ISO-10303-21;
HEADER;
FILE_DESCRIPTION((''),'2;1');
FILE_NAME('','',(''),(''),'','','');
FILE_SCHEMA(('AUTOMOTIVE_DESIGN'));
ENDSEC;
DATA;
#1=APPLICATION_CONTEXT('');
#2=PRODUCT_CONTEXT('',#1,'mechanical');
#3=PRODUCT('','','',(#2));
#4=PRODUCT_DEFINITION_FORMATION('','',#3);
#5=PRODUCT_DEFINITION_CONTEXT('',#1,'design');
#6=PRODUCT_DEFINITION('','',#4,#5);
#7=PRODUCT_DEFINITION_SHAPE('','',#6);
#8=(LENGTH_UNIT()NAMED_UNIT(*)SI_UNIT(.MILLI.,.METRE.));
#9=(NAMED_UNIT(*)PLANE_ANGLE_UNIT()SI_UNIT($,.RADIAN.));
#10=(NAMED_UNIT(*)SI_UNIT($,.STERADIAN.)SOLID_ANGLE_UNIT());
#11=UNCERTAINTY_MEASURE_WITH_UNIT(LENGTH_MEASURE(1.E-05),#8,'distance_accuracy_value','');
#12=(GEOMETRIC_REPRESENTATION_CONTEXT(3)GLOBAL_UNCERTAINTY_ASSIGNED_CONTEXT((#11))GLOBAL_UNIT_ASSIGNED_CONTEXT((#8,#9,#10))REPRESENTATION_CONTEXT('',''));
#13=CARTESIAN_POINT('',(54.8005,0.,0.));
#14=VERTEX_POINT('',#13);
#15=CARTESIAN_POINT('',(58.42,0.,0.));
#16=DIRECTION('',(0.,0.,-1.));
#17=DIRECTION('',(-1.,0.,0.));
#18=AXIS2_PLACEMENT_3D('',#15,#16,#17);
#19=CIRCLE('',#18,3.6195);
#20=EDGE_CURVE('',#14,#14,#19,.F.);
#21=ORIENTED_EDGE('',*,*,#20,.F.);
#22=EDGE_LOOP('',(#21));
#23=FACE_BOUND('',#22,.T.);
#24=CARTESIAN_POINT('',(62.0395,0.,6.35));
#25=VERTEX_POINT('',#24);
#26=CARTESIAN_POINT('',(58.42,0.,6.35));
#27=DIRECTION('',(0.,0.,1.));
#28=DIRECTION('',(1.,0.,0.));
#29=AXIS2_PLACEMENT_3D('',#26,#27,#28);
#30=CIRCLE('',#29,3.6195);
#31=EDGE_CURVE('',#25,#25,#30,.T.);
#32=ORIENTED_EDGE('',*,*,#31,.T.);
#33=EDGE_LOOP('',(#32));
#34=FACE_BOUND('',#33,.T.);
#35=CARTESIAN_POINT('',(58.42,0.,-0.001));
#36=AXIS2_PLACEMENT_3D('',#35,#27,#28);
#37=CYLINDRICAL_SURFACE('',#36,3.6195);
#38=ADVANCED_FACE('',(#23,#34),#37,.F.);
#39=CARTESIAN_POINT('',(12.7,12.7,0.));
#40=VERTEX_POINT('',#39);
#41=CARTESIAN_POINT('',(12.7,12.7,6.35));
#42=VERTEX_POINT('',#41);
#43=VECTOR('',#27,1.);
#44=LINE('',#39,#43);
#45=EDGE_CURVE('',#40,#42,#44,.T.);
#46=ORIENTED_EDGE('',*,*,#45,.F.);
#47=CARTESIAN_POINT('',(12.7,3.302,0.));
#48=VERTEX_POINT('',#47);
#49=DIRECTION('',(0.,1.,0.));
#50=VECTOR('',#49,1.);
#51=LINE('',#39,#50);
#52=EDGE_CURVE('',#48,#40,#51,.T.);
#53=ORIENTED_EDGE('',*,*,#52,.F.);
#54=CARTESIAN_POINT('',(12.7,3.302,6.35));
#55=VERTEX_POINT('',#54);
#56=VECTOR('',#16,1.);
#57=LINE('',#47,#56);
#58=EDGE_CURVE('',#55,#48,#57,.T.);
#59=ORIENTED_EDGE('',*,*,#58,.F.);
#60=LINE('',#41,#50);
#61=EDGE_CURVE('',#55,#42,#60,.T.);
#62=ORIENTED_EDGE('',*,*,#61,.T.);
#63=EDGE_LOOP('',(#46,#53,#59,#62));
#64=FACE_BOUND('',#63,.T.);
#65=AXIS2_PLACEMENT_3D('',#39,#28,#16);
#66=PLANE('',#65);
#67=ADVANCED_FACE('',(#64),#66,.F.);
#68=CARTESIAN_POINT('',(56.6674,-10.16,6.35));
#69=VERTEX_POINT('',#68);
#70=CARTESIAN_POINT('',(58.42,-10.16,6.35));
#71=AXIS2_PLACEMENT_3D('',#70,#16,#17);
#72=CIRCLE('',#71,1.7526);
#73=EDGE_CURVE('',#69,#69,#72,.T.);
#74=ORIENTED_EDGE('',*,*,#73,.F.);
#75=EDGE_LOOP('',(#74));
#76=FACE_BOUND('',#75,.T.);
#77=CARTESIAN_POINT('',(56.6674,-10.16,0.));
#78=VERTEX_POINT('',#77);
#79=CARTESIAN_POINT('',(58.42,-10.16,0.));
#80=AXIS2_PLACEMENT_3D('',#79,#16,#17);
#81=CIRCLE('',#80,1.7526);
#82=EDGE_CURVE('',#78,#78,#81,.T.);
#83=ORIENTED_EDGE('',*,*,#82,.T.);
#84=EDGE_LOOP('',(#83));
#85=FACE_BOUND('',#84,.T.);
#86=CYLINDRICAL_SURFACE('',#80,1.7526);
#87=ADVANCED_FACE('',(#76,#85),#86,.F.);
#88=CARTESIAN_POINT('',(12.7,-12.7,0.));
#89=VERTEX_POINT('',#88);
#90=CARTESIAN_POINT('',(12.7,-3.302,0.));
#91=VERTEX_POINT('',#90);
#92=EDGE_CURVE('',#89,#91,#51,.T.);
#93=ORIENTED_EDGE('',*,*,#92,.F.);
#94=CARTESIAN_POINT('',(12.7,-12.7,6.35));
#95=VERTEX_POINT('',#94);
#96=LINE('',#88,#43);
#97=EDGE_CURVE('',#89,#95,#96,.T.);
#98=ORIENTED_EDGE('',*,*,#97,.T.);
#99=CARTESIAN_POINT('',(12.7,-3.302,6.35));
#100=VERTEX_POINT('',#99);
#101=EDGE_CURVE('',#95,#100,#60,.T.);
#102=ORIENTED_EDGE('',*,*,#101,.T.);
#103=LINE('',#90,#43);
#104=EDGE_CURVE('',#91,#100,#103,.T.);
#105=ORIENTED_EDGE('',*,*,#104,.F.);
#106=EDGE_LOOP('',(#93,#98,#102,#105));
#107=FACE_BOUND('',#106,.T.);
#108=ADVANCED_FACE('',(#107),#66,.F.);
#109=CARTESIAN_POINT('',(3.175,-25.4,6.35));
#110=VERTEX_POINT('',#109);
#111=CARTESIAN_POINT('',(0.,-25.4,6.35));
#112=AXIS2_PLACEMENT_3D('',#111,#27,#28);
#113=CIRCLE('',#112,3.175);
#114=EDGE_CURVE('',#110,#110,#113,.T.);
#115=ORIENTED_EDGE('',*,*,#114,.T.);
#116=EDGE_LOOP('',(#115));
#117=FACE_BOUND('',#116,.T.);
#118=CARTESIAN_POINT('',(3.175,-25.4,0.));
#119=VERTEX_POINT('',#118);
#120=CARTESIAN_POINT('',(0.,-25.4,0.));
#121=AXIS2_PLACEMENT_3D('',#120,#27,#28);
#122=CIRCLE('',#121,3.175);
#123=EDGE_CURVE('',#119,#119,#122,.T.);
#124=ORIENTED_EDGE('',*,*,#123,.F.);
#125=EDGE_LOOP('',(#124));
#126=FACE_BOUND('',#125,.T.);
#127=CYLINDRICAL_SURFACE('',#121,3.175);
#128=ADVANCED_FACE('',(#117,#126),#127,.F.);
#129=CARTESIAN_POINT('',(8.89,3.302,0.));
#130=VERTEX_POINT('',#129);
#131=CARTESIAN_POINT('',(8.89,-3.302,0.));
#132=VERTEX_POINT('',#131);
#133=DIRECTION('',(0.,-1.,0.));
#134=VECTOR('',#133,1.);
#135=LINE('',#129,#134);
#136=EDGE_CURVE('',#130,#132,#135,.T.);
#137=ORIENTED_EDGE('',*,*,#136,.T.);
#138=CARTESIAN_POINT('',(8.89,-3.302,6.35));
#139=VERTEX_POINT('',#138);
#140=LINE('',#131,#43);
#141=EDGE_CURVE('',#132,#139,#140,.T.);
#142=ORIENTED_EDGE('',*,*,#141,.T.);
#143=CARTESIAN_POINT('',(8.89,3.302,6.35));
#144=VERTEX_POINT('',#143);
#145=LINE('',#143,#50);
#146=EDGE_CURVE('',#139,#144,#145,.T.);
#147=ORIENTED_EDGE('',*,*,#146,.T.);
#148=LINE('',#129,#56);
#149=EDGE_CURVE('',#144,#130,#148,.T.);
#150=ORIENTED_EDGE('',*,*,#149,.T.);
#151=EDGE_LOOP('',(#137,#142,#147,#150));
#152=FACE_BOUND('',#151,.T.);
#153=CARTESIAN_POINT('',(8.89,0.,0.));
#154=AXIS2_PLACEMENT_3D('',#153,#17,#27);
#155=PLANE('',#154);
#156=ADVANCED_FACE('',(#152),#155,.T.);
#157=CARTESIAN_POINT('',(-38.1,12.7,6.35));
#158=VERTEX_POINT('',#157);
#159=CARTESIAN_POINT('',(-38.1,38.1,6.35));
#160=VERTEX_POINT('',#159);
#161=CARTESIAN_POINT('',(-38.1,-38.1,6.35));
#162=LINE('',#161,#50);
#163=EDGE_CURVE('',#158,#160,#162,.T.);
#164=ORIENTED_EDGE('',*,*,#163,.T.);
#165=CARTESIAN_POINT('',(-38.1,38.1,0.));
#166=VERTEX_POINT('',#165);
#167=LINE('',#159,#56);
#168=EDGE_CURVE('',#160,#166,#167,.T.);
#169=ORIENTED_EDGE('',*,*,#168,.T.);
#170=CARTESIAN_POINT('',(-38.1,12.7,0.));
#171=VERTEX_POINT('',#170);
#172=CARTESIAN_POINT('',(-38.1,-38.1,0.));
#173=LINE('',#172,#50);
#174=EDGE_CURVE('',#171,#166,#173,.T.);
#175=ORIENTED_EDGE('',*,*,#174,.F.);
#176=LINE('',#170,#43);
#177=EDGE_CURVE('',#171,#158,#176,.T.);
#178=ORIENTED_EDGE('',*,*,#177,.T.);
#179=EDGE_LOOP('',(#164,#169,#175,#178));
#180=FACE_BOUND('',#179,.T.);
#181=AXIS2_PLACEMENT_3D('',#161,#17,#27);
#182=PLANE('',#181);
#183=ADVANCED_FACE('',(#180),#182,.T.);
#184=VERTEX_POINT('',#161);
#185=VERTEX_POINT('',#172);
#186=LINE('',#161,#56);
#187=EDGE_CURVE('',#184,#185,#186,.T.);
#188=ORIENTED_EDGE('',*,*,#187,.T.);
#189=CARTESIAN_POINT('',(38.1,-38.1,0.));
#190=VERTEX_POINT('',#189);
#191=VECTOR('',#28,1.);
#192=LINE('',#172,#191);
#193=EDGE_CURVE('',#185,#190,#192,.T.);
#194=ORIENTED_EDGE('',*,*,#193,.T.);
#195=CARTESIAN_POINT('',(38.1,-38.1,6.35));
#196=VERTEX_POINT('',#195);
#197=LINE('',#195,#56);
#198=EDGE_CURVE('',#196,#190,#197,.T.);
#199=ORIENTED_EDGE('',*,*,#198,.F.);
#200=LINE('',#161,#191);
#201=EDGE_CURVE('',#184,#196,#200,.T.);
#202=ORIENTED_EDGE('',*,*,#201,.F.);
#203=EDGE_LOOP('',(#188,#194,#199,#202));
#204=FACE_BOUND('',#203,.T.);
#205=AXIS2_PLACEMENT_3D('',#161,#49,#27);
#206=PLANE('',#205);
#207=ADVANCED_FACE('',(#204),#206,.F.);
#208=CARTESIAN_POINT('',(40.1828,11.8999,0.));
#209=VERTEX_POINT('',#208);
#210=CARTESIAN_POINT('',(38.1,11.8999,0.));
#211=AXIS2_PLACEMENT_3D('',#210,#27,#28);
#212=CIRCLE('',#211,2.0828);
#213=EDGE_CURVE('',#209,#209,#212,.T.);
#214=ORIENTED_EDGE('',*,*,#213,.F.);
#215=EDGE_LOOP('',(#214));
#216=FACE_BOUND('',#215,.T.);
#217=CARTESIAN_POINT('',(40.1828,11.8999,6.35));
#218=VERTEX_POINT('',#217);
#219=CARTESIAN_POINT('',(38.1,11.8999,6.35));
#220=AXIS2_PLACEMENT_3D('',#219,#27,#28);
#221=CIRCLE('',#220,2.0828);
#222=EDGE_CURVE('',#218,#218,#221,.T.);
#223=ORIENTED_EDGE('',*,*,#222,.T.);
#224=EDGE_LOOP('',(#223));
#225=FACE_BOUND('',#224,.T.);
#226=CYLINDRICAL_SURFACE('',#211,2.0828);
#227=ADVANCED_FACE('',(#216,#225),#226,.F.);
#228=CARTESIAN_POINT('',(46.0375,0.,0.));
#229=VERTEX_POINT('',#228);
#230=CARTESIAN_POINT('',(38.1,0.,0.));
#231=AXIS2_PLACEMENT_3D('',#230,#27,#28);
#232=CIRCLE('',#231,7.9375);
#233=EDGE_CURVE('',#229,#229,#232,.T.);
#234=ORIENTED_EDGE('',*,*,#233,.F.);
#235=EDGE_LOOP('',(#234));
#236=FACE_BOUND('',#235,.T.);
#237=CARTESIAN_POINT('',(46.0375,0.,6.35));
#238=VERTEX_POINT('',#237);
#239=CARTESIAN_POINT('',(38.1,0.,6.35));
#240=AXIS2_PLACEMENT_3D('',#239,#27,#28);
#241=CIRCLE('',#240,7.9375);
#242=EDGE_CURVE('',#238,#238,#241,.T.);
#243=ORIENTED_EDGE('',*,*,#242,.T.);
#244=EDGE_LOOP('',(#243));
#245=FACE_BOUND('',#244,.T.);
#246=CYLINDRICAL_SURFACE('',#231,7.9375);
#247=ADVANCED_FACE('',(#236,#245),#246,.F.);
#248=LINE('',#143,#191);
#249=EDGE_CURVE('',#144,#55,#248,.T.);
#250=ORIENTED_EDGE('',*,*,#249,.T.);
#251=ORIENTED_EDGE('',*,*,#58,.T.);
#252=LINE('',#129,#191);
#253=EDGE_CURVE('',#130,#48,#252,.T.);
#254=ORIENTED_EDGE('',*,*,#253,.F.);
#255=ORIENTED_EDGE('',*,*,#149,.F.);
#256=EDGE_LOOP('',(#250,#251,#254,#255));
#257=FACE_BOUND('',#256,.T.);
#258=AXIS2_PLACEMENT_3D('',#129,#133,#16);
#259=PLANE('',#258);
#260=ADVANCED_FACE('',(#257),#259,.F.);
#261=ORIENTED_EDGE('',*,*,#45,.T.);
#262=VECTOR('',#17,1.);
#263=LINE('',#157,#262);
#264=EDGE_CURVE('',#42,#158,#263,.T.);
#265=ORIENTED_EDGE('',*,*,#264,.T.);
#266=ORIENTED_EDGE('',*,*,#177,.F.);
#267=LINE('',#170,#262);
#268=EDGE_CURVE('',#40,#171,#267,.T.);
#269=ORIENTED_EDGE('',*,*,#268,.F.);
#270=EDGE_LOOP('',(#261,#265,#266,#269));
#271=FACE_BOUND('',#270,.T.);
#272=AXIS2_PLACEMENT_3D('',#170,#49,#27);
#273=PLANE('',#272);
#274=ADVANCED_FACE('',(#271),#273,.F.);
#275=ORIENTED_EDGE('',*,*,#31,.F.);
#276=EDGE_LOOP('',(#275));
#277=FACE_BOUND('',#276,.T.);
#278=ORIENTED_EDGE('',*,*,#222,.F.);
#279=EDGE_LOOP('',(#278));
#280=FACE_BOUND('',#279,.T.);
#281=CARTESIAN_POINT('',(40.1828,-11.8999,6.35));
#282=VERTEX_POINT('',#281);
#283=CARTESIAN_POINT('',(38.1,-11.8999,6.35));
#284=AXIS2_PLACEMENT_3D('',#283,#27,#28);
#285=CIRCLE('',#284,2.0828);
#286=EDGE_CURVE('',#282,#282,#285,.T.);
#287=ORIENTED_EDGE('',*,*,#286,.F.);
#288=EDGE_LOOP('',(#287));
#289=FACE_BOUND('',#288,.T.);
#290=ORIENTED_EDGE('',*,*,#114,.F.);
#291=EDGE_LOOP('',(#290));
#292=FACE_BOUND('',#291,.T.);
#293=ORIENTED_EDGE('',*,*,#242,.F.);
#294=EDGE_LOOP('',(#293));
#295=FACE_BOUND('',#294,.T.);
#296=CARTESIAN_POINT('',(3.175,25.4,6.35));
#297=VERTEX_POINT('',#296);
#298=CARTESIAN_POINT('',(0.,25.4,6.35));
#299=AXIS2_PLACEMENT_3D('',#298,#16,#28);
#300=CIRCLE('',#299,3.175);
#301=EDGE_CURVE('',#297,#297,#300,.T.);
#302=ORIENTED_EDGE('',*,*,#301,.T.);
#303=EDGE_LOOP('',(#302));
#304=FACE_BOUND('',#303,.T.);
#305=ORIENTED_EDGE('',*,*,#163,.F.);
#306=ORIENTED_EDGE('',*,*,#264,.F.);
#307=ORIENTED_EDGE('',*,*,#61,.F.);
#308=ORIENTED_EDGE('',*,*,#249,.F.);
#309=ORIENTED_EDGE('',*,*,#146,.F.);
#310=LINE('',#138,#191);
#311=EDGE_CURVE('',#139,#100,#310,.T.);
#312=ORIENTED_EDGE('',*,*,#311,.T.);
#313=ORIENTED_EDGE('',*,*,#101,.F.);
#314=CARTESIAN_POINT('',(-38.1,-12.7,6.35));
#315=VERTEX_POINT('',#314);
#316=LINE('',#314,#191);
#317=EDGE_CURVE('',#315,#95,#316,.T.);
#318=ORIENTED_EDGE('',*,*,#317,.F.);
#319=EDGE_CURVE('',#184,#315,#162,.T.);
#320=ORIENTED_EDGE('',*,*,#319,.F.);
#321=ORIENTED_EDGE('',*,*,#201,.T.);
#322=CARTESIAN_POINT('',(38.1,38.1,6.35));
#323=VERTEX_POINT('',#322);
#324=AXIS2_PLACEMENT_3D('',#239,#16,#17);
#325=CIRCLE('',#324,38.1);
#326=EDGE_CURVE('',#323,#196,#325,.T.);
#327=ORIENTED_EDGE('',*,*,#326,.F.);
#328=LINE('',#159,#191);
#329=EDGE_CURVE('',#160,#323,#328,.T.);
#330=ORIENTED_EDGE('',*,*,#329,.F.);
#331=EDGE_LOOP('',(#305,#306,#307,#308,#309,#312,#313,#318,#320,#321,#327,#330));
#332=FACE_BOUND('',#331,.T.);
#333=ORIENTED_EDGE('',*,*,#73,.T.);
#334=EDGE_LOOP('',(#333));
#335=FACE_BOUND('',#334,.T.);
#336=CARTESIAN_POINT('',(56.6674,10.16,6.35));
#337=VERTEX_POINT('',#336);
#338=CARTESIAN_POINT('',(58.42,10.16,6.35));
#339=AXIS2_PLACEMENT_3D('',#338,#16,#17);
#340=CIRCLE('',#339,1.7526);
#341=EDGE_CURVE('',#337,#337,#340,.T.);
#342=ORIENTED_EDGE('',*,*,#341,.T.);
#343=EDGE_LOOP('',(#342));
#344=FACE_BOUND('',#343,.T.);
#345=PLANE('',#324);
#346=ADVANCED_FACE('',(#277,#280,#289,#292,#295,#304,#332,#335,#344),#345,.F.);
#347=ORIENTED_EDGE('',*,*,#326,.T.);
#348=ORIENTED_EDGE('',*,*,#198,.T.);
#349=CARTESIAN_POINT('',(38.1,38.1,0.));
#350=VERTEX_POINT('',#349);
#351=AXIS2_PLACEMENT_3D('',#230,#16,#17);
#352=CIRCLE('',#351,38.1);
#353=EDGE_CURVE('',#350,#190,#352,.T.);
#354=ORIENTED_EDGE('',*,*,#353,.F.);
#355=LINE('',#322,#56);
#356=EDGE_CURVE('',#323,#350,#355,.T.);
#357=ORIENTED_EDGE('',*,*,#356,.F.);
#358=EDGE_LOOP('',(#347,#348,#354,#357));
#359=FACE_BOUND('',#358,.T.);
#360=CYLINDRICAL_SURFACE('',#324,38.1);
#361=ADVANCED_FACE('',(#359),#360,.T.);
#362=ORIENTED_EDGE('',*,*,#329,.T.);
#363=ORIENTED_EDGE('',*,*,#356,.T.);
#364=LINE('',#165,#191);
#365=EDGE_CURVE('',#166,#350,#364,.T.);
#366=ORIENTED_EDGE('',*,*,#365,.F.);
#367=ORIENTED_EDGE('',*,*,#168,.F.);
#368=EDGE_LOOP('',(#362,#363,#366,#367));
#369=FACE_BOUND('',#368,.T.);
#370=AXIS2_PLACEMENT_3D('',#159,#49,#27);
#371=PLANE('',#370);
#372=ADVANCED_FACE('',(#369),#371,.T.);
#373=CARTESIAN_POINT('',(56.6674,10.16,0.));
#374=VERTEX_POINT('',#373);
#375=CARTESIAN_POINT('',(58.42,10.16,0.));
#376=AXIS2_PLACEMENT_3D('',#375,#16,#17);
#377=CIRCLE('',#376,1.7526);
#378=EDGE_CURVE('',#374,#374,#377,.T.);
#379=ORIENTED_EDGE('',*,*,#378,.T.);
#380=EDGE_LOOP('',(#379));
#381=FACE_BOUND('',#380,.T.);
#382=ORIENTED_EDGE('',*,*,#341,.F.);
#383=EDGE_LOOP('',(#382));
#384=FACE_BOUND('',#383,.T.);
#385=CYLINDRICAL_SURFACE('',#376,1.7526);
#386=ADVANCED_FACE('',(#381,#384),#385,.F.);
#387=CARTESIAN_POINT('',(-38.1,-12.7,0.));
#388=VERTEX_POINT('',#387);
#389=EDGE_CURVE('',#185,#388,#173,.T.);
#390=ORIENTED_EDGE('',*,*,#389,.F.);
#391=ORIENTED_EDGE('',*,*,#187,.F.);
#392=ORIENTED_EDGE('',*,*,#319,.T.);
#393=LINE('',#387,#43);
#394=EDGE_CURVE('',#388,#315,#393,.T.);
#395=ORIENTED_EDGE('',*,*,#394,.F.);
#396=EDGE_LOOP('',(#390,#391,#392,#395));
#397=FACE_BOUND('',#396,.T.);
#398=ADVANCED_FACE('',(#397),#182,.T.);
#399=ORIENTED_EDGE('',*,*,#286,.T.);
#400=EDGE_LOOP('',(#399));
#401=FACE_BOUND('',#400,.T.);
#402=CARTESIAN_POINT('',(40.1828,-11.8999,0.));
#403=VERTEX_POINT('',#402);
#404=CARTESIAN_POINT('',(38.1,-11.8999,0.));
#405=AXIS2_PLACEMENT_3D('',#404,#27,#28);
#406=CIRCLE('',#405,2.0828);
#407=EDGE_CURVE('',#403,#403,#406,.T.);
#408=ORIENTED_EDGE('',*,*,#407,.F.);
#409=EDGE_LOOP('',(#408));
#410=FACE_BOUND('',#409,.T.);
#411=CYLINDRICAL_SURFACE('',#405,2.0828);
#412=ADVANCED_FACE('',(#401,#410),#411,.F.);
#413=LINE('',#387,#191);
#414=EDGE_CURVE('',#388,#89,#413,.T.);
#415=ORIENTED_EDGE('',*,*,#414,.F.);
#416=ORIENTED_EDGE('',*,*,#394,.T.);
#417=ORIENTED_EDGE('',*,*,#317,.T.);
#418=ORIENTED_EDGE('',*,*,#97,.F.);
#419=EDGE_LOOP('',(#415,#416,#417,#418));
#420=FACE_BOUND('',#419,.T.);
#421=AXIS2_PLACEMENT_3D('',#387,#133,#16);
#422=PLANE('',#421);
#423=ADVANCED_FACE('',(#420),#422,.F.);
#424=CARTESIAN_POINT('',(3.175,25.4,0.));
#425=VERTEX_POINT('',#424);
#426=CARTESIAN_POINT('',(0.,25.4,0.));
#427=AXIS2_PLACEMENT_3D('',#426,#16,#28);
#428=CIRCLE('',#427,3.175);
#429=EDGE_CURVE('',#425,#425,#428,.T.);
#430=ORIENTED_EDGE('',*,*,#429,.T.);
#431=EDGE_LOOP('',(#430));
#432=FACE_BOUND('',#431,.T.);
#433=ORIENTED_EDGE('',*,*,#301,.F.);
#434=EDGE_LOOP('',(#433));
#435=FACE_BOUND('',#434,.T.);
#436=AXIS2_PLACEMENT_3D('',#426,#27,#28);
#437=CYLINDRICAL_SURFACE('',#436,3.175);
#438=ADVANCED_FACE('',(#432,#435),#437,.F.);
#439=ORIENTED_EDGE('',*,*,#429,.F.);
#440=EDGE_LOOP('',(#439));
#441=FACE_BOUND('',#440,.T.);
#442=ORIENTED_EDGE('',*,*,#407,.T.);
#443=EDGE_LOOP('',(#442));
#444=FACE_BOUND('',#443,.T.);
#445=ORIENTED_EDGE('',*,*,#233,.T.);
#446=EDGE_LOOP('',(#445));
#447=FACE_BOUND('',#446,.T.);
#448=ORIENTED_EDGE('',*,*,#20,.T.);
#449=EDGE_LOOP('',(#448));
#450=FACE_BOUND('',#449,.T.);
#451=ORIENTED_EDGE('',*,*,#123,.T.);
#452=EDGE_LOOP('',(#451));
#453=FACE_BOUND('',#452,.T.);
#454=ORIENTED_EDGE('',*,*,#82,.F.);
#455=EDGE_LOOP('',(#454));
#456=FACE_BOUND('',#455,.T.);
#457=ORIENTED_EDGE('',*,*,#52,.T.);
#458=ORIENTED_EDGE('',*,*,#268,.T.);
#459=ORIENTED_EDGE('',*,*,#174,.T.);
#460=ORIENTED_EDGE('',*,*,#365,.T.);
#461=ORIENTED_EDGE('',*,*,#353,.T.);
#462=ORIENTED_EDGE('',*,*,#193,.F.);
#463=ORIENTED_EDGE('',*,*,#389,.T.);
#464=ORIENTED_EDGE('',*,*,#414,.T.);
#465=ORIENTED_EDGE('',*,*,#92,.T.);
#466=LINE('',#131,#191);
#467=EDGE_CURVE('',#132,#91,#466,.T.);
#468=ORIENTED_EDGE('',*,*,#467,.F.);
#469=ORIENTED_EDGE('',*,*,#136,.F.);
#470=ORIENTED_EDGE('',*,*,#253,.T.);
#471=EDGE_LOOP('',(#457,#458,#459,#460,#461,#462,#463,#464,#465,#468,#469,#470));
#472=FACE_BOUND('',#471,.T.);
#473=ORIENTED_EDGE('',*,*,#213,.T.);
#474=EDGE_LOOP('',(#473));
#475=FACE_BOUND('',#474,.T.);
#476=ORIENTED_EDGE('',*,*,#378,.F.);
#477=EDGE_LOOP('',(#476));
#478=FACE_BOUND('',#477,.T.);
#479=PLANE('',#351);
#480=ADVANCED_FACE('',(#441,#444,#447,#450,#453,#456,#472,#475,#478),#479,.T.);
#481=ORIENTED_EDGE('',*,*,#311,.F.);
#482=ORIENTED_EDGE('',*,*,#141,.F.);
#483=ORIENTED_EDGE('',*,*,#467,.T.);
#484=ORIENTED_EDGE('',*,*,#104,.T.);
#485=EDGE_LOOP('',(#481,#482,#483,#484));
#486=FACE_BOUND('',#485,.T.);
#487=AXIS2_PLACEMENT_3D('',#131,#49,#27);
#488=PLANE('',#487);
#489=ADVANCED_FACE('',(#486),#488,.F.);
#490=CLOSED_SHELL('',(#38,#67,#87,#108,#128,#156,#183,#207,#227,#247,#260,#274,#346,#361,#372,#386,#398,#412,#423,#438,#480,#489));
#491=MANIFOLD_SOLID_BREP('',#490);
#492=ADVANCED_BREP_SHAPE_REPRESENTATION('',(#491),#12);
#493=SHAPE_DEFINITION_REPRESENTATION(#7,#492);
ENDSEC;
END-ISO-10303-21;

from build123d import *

# Parameters (mm, degrees)
BOSS_EXTRUDE1_DEPTH   = 6.35
SKETCH2_W             = 50.8
SKETCH2_H             = 25.4
CUT_EXTRUDE1_DEPTH    = 86.430512699
SKETCH5_R             = 7.9375
SKETCH5_R_2           = 2.0828
CUT_EXTRUDE4_DEPTH    = 86.430512699
SKETCH4_R             = 3.175
CUT_EXTRUDE5_DEPTH    = 86.430512699
SKETCH6_W             = 6.35
SKETCH6_H             = 6.604
BOSS_EXTRUDE2_DEPTH   = 3.81
CUT_EXTRUDE7_REACH    = 87.431
SKETCH8_R             = 3.6195
F_6_CLEARANCE_HOLE1_D = 3.5052


with BuildPart() as part:
    # Sketch1 → Boss-Extrude1 (new body)
    with BuildSketch(Plane.XY):
        with BuildLine():
            Line((-38.1, -38.1), (38.1, -38.1))
            ThreePointArc((38.1, -38.1), (76.2, 0), (38.1, 38.1))
            Line((38.1, 38.1), (-38.1, 38.1))
            Line((-38.1, 38.1), (-38.1, -38.1))
        make_face()
    extrude(amount=BOSS_EXTRUDE1_DEPTH)

    # Sketch2 → Cut-Extrude1 (cut, through all)
    with BuildSketch(Plane.XY.offset(6.35)):
        with Locations((-12.7, 0)):
            Rectangle(SKETCH2_W, SKETCH2_H)
    extrude(amount=-CUT_EXTRUDE1_DEPTH, mode=Mode.SUBTRACT)

    # Sketch5 → Cut-Extrude4 (cut, through all)
    with BuildSketch(Plane.XY.offset(6.35)):
        with Locations((38.1, 0)):
            Circle(SKETCH5_R)
        with Locations((38.1, 11.8999)):
            Circle(SKETCH5_R_2)
        with Locations((38.1, -11.8999)):
            Circle(SKETCH5_R_2)
    extrude(amount=-CUT_EXTRUDE4_DEPTH, mode=Mode.SUBTRACT)

    # Sketch4 → Cut-Extrude5 (cut, through all)
    with BuildSketch(Plane.XY.offset(6.35)):
        with Locations((0, -25.4)):
            Circle(SKETCH4_R)
    cut_extrude5 = extrude(amount=-CUT_EXTRUDE5_DEPTH, mode=Mode.SUBTRACT)

    # Mirror3: Cut-Extrude5 across plane
    add(cut_extrude5.mirror(Plane.ZX), mode=Mode.SUBTRACT)

    # Sketch6 → Boss-Extrude2 (add)
    with BuildSketch(Plane.ZY.offset(-12.7)):
        with Locations((3.175, 0)):
            Rectangle(SKETCH6_W, SKETCH6_H)
    extrude(amount=BOSS_EXTRUDE2_DEPTH)

    # Sketch8 → Cut-Extrude7 (cut, up to next)
    with BuildSketch(Plane.XY.offset(6.35), mode=Mode.PRIVATE) as cut_extrude7_sk1:
        with Locations((58.42, 0)):
            Circle(SKETCH8_R)
    cut_extrude7_tool1 = extrude(cut_extrude7_sk1.sketch, amount=-CUT_EXTRUDE7_REACH, mode=Mode.PRIVATE) & part.part
    add(cut_extrude7_tool1.solids().sort_by_distance((58.42, 0, 6.35))[0], mode=Mode.SUBTRACT)

    # #6 Clearance Hole1 (through all)
    with Locations(Plane(origin=(0, 0, 0), x_dir=(-1, 0, 0), z_dir=(0, 0, -1))):
        with Locations((-58.42, 10.16), (-58.42, -10.16)):
            Hole(F_6_CLEARANCE_HOLE1_D / 2)


solid = part.part
